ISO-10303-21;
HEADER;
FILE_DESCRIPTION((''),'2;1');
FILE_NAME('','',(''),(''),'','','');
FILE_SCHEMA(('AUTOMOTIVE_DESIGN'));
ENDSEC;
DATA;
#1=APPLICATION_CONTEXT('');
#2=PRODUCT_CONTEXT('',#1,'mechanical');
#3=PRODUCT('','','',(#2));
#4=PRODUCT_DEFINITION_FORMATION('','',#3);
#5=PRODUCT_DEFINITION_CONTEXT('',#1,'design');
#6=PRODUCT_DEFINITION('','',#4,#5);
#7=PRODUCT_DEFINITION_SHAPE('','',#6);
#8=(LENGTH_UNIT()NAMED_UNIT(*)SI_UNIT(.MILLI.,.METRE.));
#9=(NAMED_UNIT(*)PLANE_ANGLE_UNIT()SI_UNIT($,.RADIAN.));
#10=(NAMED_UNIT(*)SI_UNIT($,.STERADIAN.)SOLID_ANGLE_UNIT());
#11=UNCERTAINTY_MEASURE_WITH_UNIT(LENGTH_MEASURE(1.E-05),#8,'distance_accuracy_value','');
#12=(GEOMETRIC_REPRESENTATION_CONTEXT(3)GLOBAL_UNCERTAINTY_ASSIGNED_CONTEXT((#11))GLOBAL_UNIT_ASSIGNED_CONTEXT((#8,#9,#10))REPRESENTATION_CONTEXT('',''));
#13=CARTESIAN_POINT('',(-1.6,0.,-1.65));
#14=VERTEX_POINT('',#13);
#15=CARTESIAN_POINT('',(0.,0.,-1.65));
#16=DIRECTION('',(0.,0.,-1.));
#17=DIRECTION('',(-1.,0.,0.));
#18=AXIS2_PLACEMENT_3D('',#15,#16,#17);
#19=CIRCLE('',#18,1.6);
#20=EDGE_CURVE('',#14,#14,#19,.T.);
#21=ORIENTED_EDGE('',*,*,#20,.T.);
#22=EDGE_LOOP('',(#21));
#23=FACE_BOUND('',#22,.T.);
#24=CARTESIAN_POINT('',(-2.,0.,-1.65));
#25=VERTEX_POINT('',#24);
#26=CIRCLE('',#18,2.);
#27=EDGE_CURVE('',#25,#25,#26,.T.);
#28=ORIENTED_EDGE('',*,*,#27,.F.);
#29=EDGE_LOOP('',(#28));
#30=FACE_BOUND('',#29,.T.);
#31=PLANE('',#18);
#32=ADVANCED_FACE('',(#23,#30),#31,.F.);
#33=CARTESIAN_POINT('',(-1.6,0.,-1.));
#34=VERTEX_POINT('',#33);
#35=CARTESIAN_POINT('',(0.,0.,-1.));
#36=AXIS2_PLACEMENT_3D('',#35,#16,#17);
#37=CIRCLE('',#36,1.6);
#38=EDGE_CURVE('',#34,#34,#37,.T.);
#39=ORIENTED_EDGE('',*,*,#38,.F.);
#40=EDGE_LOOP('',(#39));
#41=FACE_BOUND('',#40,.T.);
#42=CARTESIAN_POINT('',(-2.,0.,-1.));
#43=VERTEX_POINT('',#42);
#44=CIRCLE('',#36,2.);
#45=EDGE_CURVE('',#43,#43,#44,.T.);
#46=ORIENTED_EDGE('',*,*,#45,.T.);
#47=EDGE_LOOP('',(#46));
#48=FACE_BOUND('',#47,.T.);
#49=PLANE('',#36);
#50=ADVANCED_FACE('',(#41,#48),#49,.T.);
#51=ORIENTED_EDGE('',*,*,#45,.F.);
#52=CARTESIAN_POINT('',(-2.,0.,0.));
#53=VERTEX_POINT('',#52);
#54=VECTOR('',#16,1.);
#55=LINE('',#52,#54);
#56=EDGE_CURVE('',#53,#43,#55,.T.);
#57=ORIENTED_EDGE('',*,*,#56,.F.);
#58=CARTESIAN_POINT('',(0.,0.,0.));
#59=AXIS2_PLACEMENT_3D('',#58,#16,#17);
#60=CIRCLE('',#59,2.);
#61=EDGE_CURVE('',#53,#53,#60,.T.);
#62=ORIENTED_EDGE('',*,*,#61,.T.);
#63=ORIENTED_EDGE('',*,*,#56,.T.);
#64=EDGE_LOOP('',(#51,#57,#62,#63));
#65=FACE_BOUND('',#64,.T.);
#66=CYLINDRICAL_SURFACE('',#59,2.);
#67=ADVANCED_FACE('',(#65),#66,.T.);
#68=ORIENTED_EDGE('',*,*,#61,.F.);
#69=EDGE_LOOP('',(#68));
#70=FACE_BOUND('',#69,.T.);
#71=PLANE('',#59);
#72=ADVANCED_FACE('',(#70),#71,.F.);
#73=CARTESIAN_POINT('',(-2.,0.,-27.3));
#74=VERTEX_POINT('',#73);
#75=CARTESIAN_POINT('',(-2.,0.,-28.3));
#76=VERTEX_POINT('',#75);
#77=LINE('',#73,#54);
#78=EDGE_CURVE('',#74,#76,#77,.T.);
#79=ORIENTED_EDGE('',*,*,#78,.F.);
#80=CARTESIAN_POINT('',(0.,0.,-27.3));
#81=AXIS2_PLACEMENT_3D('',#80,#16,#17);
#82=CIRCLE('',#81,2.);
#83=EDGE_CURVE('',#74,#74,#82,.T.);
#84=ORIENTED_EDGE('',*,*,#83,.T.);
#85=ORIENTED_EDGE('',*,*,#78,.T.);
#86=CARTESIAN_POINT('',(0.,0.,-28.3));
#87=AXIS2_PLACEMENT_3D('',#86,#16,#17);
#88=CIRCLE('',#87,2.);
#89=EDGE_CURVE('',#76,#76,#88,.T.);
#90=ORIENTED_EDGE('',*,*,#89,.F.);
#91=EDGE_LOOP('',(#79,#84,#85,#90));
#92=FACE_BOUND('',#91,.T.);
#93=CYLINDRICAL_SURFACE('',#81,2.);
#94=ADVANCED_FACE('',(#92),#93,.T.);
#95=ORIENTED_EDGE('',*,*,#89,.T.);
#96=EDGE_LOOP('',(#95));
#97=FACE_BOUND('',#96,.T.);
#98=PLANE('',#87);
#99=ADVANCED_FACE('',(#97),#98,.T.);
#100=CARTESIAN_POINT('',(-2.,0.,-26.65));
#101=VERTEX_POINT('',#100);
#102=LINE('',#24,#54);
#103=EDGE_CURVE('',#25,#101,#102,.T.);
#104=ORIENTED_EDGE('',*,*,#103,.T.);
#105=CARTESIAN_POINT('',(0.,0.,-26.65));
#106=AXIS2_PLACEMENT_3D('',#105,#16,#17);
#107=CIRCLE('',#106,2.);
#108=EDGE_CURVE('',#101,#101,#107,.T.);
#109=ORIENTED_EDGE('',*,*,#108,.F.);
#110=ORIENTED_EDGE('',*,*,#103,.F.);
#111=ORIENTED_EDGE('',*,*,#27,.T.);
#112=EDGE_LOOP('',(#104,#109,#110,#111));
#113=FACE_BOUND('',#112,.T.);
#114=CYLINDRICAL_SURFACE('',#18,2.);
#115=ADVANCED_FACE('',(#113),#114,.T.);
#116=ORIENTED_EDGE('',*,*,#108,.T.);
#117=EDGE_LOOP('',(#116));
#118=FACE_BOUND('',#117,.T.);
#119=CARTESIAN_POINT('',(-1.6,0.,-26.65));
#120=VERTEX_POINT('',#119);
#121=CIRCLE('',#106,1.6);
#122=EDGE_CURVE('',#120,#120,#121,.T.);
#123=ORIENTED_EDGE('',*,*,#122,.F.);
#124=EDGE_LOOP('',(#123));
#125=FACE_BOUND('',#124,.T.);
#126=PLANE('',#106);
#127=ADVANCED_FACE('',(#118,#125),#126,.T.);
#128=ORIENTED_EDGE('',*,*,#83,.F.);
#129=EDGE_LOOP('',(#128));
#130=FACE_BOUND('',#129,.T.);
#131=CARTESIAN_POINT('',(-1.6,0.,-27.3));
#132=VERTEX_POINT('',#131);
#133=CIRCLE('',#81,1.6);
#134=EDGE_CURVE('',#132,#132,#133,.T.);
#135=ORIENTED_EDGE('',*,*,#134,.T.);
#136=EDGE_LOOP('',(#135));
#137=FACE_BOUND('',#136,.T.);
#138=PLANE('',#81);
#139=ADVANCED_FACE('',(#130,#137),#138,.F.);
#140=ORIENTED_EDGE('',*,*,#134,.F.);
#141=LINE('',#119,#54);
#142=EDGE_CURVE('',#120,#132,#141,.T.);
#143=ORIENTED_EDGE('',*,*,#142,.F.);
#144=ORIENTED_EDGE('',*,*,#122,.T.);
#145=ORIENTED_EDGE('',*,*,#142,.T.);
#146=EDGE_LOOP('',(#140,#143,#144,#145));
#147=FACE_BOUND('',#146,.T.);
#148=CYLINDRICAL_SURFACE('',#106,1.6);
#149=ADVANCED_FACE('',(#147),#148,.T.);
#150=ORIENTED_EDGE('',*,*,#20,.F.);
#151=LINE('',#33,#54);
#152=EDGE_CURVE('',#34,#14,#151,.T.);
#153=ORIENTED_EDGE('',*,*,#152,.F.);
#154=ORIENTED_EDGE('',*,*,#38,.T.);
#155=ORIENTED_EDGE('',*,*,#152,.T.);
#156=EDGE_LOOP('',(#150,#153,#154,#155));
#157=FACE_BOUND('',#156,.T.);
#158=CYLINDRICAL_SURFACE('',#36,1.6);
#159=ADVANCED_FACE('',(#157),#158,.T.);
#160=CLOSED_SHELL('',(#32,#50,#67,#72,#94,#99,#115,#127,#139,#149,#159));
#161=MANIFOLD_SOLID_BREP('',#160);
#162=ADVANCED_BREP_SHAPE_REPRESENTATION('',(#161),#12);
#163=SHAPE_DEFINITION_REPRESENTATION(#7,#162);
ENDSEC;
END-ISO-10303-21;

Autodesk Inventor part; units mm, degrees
ref_plane "YZ Plane" through (0, 0, 0) normal (1, 0, 0) x (0, 1, 0)
ref_plane "XZ Plane" through (0, 0, 0) normal (0, 1, 0) x (-1, 0, 0)
ref_plane "XY Plane" through (0, 0, 0) normal (0, 0, 1) x (1, 0, 0)
sketch "Skizze1" plane through (0, 0, 0) normal (0, 1, 0) x (-1, 0, 0)
  line L0 (0, 0) -> (2, 0)
  line L1 (2, 0) -> (2, -1)
  line L2 (2, -1) -> (1.6, -1)
  line L3 (1.6, -1) -> (1.6, -1.65)
  line L4 (1.6, -1.65) -> (2, -1.65)
  line L5 (2, -1.65) -> (2, -26.65)
  line L6 (2, -26.65) -> (1.6, -26.65)
  line L7 (1.6, -26.65) -> (1.6, -27.3)
  line L8 (1.6, -27.3) -> (2, -27.3)
  line L9 (2, -27.3) -> (2, -28.3)
  line L10 (2, -28.3) -> (0, -28.3)
  line L11 (0, 0) -> (0, -28.3)
  dimension "d0" = 2
  dimension "d1" = 1
  dimension "d2" = 0.65
  dimension "d3" = 0.65
  dimension "d5" = 1
  dimension "d6" = 4
  dimension "d7" = 3.2
  dimension "d9" = 25
revolve "Umdrehung1" add sketch "Skizze1" angle 360 about axis through (0, 0, 0) along (0, 0, -1)
properties part number "Kipphebelachse"
